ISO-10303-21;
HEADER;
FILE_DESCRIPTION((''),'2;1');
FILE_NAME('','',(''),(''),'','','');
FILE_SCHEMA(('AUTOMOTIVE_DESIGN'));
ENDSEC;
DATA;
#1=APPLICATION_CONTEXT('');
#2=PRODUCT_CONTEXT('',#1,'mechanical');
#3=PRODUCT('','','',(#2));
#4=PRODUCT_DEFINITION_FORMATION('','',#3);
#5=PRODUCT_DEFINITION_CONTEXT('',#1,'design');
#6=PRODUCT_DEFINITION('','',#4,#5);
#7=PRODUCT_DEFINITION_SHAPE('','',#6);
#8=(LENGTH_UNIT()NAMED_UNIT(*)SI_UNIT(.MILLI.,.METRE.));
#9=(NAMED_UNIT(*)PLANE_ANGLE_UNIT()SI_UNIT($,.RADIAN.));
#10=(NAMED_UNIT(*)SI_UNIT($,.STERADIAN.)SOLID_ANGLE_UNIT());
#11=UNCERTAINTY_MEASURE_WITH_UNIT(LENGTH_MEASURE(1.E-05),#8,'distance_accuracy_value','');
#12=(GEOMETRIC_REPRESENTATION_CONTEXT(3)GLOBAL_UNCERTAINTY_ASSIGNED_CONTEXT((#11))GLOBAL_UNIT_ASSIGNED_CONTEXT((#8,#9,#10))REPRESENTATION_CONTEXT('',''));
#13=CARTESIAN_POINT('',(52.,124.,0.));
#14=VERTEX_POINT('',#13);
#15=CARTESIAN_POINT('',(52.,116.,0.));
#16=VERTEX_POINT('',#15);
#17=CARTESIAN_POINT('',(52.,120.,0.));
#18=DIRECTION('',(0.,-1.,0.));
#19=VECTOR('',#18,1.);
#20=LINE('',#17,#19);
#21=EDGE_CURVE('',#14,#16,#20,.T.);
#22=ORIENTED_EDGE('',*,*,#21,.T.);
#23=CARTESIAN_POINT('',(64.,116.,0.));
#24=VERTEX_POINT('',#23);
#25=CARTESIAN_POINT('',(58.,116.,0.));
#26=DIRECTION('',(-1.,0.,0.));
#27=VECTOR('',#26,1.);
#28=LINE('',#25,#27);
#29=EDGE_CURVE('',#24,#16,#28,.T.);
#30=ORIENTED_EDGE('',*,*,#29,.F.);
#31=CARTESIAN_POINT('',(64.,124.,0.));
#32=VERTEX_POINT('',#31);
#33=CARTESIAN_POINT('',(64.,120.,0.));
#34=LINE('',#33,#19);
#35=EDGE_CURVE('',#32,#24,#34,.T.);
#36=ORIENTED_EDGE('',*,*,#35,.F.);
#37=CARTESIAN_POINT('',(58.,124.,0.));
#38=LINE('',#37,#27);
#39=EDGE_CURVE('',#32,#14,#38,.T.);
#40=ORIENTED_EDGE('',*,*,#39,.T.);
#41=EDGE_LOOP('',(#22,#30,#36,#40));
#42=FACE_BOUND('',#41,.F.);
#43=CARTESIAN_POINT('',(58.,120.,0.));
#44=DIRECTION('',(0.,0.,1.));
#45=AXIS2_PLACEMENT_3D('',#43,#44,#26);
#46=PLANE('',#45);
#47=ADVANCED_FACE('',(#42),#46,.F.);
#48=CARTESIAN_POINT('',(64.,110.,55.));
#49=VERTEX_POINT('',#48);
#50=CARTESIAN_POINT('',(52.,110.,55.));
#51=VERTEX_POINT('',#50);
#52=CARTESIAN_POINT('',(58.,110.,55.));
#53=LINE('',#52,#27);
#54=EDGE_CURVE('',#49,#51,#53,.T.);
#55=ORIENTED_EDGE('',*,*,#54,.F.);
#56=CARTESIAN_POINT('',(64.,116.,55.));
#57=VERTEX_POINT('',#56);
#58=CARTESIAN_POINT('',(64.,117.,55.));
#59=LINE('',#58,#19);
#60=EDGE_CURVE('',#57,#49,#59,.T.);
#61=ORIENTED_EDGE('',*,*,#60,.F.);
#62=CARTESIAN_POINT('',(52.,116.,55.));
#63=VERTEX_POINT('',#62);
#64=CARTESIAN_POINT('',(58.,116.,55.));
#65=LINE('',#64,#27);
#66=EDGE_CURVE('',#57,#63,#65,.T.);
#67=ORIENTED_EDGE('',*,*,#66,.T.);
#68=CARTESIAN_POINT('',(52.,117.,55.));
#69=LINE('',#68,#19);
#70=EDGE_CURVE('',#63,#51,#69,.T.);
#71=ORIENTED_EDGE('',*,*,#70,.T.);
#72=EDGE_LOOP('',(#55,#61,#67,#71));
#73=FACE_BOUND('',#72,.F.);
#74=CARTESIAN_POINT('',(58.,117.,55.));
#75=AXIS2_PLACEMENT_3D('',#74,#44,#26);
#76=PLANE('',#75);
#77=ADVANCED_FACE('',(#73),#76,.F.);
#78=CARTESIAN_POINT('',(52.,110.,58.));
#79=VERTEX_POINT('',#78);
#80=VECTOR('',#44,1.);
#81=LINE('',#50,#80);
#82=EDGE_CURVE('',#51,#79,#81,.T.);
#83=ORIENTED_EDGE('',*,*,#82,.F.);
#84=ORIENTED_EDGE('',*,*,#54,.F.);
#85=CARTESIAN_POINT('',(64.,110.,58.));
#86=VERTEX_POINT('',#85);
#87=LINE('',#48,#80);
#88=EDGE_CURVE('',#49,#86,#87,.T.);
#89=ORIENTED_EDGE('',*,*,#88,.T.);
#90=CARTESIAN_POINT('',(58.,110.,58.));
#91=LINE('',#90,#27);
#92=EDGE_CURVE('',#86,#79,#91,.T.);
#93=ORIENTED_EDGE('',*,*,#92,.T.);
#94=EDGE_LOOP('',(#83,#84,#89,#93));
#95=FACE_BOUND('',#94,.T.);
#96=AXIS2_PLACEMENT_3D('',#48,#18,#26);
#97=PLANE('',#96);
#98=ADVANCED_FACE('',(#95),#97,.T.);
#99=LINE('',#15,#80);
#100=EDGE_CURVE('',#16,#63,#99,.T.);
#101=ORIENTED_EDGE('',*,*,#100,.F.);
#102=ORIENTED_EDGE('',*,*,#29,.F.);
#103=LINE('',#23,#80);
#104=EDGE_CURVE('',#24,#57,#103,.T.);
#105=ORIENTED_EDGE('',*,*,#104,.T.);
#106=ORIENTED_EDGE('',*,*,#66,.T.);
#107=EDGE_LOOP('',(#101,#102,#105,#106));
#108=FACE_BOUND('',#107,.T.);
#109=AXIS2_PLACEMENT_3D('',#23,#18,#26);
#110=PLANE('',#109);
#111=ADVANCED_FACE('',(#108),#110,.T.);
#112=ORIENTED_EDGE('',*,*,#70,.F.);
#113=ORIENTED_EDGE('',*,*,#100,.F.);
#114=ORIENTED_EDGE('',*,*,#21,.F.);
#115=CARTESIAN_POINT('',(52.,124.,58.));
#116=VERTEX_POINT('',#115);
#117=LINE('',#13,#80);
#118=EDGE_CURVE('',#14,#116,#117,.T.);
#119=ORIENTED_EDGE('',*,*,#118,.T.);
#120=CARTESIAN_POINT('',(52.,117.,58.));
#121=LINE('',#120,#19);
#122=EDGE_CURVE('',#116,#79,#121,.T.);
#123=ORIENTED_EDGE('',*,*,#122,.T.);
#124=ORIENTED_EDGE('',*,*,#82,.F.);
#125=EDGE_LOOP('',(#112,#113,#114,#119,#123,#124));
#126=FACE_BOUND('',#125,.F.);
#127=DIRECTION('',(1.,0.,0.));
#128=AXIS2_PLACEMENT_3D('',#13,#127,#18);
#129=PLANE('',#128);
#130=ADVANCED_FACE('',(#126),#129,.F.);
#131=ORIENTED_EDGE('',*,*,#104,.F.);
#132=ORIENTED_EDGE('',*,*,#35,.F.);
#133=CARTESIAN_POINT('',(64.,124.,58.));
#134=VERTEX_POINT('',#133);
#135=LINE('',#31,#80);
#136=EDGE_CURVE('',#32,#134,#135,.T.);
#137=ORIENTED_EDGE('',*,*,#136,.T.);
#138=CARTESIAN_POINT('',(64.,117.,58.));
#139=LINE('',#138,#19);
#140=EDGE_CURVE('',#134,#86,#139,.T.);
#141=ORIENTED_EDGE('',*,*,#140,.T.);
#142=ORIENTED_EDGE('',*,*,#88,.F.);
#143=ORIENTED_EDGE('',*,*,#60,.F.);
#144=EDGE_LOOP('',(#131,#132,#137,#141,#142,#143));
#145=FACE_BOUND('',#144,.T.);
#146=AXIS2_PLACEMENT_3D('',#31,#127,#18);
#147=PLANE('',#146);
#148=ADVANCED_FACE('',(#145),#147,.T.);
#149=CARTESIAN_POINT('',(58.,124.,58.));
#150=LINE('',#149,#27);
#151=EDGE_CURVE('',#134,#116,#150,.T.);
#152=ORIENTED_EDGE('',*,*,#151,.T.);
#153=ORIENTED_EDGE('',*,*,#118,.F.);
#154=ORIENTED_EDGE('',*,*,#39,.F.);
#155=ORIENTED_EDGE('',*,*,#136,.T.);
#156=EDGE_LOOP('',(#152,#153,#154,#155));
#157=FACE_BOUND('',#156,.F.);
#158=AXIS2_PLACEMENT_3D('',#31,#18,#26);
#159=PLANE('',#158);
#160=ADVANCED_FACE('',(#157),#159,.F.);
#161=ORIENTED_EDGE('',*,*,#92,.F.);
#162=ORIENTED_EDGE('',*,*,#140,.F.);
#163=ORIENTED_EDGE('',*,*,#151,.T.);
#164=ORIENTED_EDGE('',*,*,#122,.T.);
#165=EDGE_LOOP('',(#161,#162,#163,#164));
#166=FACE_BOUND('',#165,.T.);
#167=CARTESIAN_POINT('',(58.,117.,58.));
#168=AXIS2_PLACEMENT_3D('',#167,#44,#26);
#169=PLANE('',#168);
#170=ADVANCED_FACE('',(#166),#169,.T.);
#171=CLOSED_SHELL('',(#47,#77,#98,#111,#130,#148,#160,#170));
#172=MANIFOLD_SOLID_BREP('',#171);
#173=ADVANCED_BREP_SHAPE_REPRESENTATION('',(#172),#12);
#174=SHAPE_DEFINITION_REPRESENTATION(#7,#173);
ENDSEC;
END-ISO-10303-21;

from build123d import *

# Parameters (mm, degrees)
BOX015_W                  = 12
BOX015_H                  = 8
BOX015_DEPTH              = 55
BOX016_W                  = 12
BOX016_H                  = 14
BOX016_DEPTH              = 3
FUSION009_PLACEMENT_ANGLE = 180


with BuildPart() as sporte002:
    # Box015 → Box015 (new body)
    with BuildSketch(Plane(origin=(47, 17, 0), x_dir=(1, 0, 0), z_dir=(0, 0, 1))):
        with Locations((6, 4)):
            Rectangle(BOX015_W, BOX015_H)
    extrude(amount=BOX015_DEPTH)


with BuildPart() as l2:
    # Box016 → Box016 (new body)
    with BuildSketch(Plane(origin=(47, 17, 55), x_dir=(1, 0, 0), z_dir=(0, 0, 1))):
        with Locations((6, 7)):
            Rectangle(BOX016_W, BOX016_H)
    extrude(amount=BOX016_DEPTH)

    # Fusion009: union sporte002
    add(sporte002.part)


with BuildPart() as l2_1:
    # Fusion009 placement: moved
    add(l2.part.moved(Location((111, 141, 0))).rotate(Axis((111, 141, 0), (0, 0, 1)), FUSION009_PLACEMENT_ANGLE))


solid = l2_1.part
